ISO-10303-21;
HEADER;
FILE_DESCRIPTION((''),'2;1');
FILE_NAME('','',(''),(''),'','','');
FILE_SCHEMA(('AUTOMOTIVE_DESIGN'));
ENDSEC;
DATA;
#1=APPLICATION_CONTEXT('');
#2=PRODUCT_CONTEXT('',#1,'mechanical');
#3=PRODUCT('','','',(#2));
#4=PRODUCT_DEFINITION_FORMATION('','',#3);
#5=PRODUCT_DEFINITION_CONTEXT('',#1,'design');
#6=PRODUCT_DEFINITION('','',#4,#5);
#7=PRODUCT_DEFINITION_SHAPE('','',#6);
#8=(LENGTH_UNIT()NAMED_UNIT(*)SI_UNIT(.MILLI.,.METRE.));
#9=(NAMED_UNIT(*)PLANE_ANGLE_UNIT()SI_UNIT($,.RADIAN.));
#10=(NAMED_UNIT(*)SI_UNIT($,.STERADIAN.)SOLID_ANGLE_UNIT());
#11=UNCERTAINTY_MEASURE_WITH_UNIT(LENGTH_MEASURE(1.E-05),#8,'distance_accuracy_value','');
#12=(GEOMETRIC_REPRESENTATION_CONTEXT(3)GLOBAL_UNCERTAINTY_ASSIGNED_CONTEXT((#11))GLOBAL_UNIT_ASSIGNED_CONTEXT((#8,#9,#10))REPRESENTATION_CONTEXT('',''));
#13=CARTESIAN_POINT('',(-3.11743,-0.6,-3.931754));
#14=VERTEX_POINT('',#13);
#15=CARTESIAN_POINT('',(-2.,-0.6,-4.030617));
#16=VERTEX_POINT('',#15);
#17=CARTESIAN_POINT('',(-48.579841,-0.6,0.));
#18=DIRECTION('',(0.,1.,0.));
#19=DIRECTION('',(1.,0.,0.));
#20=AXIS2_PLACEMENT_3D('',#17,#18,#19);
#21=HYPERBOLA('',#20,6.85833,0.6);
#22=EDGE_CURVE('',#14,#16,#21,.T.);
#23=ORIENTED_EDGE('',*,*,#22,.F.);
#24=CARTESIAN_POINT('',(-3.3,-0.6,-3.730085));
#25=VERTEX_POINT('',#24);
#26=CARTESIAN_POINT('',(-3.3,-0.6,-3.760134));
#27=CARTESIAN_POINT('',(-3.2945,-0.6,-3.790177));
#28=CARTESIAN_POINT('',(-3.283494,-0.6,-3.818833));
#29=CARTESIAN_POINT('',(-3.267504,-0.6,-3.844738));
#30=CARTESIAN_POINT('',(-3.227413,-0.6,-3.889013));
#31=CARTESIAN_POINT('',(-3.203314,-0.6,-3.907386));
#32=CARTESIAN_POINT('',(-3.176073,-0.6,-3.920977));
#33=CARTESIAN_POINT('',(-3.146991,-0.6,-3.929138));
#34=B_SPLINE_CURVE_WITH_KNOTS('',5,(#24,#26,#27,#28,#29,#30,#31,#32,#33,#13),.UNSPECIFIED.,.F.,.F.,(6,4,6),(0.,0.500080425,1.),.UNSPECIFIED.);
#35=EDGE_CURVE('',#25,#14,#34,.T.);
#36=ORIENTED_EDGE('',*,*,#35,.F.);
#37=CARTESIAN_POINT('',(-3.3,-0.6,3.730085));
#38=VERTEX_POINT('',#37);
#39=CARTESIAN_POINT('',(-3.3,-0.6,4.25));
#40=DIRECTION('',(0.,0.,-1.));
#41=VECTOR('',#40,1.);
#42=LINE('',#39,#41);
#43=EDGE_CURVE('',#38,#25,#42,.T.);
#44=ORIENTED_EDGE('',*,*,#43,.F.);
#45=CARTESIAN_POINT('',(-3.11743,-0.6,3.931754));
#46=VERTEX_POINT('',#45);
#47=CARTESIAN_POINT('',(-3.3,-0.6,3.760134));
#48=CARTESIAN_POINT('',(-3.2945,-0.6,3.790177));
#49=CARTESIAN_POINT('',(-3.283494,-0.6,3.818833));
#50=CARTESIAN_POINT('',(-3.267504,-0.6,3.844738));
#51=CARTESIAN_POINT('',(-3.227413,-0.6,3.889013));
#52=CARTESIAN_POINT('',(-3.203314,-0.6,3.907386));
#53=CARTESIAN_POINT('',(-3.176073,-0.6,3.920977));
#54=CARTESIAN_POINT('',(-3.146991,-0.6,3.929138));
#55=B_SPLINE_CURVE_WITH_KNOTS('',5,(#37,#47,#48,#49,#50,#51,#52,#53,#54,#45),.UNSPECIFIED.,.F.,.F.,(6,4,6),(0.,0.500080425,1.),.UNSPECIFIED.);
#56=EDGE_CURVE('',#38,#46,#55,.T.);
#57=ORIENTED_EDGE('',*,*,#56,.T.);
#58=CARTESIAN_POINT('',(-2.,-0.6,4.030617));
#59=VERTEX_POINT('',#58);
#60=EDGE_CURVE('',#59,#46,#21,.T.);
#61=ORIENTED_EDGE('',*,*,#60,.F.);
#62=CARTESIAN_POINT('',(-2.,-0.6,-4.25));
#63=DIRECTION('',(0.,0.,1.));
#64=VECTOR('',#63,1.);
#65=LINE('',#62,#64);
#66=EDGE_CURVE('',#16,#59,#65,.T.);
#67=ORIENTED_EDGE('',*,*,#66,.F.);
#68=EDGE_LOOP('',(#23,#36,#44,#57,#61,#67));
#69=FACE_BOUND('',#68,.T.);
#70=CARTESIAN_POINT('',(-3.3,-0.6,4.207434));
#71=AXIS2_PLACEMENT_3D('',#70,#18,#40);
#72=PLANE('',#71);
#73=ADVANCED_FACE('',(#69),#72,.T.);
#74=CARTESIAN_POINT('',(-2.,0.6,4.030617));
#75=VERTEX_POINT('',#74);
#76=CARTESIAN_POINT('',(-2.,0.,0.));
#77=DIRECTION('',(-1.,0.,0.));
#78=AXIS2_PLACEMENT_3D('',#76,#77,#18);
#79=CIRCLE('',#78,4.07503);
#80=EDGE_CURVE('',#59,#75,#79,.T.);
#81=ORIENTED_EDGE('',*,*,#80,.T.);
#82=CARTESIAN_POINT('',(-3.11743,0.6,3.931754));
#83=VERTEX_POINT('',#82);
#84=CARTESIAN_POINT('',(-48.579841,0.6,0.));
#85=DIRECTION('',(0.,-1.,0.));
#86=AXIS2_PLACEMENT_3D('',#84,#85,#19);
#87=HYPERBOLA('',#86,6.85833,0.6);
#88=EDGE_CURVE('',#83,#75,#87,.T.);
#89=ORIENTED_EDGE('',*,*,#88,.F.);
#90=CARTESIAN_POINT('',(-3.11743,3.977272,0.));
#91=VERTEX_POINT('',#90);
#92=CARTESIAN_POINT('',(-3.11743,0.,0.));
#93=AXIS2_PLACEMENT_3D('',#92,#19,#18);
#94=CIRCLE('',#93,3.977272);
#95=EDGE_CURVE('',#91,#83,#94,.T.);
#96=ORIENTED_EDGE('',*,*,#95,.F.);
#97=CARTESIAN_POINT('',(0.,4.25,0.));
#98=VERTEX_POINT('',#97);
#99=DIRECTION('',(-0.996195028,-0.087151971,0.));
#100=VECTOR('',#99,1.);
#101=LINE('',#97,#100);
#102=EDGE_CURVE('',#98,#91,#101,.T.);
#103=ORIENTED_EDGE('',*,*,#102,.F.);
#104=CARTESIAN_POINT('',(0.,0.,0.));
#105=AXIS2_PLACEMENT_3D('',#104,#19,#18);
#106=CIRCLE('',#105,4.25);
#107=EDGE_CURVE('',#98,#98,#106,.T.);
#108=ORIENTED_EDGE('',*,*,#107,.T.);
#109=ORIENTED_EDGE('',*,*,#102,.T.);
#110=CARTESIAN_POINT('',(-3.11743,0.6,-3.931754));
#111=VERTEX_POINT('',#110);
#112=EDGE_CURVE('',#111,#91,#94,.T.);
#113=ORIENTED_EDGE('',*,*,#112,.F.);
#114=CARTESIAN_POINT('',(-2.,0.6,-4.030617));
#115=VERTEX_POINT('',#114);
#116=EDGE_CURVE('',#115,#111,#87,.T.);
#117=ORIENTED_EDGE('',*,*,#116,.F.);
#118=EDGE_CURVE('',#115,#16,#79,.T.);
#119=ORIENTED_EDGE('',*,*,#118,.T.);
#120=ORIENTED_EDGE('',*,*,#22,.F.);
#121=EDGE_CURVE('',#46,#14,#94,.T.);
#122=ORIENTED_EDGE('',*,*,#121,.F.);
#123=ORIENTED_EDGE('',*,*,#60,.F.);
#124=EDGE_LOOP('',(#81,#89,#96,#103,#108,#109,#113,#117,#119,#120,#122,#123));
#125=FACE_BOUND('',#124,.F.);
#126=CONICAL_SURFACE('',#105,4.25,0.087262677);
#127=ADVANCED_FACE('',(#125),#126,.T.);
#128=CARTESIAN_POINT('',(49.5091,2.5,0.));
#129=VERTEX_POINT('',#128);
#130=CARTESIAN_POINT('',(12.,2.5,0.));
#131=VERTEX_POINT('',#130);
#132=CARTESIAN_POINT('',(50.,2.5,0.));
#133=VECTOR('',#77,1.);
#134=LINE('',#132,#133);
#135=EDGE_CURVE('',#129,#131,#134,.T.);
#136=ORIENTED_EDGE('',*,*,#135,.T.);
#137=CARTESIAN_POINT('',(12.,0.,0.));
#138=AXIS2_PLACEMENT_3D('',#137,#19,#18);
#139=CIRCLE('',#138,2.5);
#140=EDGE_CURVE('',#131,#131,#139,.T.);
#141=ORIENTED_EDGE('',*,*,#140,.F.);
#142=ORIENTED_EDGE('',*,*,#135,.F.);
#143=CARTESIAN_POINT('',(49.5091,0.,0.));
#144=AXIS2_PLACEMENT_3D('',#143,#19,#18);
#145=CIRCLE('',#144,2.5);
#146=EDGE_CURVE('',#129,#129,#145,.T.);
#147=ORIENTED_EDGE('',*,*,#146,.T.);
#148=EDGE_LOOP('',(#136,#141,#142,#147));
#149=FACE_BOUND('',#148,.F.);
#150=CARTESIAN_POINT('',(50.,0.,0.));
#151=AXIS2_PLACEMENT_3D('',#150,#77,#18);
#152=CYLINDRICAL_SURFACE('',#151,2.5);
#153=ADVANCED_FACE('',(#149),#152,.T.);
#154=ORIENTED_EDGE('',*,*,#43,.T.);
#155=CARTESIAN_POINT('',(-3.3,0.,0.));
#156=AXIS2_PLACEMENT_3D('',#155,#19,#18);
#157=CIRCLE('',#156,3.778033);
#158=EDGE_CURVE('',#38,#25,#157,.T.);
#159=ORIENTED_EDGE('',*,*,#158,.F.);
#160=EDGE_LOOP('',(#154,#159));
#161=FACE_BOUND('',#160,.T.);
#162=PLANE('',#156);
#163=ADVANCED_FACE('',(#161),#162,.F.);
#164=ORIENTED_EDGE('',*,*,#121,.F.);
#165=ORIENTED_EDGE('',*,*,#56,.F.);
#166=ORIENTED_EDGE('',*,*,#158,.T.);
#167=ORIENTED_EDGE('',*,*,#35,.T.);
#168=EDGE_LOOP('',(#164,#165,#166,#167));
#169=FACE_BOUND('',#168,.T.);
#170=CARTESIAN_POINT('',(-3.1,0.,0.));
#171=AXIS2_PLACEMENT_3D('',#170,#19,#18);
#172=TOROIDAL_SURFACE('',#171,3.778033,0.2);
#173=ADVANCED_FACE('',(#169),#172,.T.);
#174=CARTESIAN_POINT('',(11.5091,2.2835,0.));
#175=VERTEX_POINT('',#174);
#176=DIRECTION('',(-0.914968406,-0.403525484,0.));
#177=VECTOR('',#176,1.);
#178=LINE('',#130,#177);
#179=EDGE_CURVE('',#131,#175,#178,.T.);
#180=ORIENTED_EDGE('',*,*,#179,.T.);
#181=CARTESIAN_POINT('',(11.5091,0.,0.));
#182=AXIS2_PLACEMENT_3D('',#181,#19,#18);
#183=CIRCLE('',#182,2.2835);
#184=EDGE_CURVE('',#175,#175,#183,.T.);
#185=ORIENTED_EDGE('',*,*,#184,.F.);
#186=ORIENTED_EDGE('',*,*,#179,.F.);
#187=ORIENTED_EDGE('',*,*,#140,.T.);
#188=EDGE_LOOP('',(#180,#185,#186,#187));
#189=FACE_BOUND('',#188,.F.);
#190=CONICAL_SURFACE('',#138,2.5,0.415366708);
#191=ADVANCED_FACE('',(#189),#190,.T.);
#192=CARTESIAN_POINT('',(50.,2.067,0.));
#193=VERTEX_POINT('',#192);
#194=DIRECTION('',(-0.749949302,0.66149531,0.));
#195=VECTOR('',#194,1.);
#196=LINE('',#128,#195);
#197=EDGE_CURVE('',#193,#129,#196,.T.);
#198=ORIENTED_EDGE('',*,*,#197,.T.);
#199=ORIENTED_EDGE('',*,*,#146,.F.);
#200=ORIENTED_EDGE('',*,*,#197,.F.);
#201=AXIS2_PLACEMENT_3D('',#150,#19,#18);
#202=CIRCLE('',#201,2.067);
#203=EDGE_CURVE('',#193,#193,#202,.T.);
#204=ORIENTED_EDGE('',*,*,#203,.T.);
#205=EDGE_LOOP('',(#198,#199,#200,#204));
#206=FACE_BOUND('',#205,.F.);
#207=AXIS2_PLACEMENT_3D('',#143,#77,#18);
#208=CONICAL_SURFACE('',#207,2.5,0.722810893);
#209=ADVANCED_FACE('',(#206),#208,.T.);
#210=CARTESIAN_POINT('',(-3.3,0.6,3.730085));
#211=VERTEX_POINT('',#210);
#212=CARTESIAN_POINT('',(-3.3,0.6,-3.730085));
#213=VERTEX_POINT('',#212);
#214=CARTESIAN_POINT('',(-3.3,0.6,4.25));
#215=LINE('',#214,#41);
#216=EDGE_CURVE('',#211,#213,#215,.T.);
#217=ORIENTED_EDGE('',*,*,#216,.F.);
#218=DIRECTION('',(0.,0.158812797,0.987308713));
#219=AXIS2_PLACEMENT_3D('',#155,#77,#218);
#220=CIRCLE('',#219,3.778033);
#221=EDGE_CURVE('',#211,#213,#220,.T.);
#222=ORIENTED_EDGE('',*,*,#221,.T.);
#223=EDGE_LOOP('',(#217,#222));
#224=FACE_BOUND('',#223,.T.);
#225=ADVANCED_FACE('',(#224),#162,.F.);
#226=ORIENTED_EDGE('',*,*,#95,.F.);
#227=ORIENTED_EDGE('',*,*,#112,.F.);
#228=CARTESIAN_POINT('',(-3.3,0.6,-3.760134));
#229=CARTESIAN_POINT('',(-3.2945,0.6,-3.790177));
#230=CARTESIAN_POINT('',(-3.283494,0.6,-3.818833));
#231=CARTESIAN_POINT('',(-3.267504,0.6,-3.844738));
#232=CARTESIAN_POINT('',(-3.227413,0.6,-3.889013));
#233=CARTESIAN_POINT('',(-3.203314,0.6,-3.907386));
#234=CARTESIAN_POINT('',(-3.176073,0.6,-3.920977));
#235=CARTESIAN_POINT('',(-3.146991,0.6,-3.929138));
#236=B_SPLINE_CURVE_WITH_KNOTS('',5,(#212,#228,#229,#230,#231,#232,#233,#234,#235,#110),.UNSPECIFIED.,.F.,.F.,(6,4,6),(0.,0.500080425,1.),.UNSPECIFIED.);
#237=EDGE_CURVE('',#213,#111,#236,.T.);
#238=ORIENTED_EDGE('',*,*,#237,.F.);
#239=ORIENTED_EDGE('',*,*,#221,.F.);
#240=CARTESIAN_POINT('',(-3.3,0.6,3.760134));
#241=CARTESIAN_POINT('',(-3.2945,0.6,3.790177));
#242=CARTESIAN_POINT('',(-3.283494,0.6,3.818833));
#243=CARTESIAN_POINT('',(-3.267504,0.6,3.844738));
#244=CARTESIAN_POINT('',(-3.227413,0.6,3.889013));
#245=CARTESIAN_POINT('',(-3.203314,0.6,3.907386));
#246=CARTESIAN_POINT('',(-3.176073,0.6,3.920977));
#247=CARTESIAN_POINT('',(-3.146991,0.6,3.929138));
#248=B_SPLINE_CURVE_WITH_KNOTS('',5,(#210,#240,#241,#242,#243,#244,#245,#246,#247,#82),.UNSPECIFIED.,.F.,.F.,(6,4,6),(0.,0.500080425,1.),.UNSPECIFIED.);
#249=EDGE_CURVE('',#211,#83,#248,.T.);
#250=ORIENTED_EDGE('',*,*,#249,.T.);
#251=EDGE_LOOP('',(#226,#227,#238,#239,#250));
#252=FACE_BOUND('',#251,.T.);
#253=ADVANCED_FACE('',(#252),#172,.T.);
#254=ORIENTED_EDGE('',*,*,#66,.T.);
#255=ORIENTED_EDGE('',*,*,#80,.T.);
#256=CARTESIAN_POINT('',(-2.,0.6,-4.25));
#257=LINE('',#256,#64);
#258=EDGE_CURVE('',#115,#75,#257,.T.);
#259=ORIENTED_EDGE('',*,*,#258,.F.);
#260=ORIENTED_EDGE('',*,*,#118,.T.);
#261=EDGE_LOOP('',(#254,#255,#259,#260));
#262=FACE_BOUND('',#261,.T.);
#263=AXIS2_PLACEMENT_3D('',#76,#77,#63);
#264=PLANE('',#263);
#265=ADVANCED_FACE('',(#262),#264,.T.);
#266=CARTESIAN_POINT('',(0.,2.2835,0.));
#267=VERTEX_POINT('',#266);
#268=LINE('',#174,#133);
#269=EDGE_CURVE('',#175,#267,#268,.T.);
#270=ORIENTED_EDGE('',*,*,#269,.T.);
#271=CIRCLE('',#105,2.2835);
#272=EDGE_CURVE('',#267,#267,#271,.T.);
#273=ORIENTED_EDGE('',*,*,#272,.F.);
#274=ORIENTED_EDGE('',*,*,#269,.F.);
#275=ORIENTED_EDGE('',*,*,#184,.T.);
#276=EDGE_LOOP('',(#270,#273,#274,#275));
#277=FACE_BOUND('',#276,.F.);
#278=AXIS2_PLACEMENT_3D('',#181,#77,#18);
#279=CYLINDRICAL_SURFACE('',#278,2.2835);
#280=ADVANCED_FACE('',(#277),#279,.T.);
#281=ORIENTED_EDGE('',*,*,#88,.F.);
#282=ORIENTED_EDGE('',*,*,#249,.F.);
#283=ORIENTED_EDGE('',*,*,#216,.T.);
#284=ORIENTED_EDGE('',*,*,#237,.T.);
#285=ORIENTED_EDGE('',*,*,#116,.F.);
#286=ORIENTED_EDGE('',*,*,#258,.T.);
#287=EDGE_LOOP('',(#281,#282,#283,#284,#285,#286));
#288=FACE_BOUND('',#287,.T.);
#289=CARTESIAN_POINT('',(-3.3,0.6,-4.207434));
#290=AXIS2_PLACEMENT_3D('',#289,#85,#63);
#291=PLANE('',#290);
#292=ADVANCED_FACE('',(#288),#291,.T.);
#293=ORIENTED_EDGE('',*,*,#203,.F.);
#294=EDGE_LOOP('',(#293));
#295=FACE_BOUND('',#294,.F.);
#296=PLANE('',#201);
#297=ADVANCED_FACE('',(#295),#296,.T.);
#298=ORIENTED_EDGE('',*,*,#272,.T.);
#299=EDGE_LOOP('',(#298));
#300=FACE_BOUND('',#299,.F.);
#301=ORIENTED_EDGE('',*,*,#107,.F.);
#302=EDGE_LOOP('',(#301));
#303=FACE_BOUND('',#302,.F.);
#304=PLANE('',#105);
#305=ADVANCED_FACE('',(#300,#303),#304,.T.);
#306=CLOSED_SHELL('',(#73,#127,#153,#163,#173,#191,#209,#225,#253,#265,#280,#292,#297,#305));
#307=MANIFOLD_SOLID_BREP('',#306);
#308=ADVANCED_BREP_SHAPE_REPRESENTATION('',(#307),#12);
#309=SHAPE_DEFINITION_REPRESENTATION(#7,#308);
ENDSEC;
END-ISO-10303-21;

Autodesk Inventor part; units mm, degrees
ref_plane "YZ Plane" through (0, 0, 0) normal (1, 0, 0) x (0, 1, 0)
ref_plane "XZ Plane" through (0, 0, 0) normal (0, 1, 0) x (-1, 0, 0)
sketch "Sketch1" plane through (0, 0, 0) normal (0, 0, 1) x (1, 0, 0)
  line L0 (-3.3, 0) -> (50, 0)
  line L1 (50, 0) -> (50, 2.5)
  line L2 (50, 2.5) -> (12, 2.5)
  line L3 (12, 2.5) -> (11.5091, 2.2835)
  line L4 (11.5091, 2.2835) -> (0, 2.2835)
  line L5 (0, 2.2835) -> (0, 4.25)
  line L6 (-13.96, 0) -> (60.66, 0) projected
  line L7 (0, -0.85) -> (0, 5.1) projected
  line L8 (-3.3, 0) -> (-3.3, 3.9613)
  line L9 (0, 4.25) -> (-3.3, 3.9613)
  line L10 (12, 2.5) -> (0, 2.5) construction
  dimension "d0" = 50
  dimension "d1" = 38
  dimension "d2" = 0.4909
  dimension "d3" = 3.3
  dimension "d4" = 5
  dimension "d5" = 4.567
  dimension "d9" = 8.5
  dimension "d10" = 5
revolve "Body" add sketch "Sketch1" angle 360 about axis through (-3.3, 0, 0) along (1, 0, 0)
sketch "Sketch2" plane through (-3.3, 0, 0) normal (-1, 0, 0) x (0, 0, 1)
  circle A0 centre (0, 0) radius 4.25 projected
  line L0 (0, 0) -> (0, 3.9613) projected
  line L1 (-4.25, 0.6) -> (4.25, 0.6)
  line L2 (4.25, 0.6) -> (4.25, -0.6)
  line L3 (4.25, -0.6) -> (-4.25, -0.6)
  line L4 (-4.25, -0.6) -> (-4.25, 0.6)
  line L5 (-4.25, 0) -> (4.25, 0) construction
  line L6 (0, 0.6) -> (0, -0.6) construction
  point P0 (0, 0)
  dimension "d11" = 1.2
  dimension "d12" = 8.5
fillet "Fillet1" radius 0.2 1 edges at (-3.3, -3.9613, 0)
extrude "Slot" cut sketch "Sketch2" against normal blind 1.3 contours A0 L3 L1 | L2 L3 A0 | A0 L1 L2 | A0 L4 L1 | L3 L4 A0
thread "Thread" size "M5x0.8" class "6g" standard "ISO Metric profile" length 38
chamfer "Chamfer1" distance 0.433 distance2 0.4909 1 edges at (50, -2.5, 0) measured on face at (50, -0.4809, -0.0271)
ref_plane "Work Plane1" through (30.1625, 0, 0) normal (0, 0, -1) x (1, 0, 0)
equation "\"d11\" = SBR"
equation "\"d12\" = KOD"
equation "\"d14\" = RR"
equation "\"d19\" = STI"
equation "\"d15\" = GEL"
equation "\"d17\" = -0.5 * SPD + 0.5 * GD"
equation "\"d0\" = NLG"
equation "\"d1\" = GEL"
equation "\"d3\" = KOH"
equation "\"d4\" = GD"
equation "\"d5\" = BDM"
equation "\"d9\" = KOD"
equation "\"d10\" = KEWI"
equation "\"GD\" = 5"
equation "\"NLG\" = 50"
equation "\"GEL\" = 38"
equation "\"KOD\" = 8.5"
equation "\"KOH\" = 3.3"
equation "\"GAL\" = 0.61345 * PTC"
equation "\"SPD\" = 4.13397"
equation "\"BDM\" = 4.56699"
equation "\"GUL\" = 0.61345 * PTC"
equation "\"RR\" = 0.2"
equation "\"SBR\" = 1.2"
equation "\"STI\" = 1.3"
equation "\"KEWI\" = 5deg"
equation "\"PTC\" = 0.8"
equation "\"THREADDIA\" = 5"
equation "\"TOA\" = 30deg"
equation "\"NND\" = 5"
equation "\"GD1\" = THREADDIA - 1.2269 * PTC"
properties part number "DIN 84 - M5 x 50" material "Steel, Mild"
